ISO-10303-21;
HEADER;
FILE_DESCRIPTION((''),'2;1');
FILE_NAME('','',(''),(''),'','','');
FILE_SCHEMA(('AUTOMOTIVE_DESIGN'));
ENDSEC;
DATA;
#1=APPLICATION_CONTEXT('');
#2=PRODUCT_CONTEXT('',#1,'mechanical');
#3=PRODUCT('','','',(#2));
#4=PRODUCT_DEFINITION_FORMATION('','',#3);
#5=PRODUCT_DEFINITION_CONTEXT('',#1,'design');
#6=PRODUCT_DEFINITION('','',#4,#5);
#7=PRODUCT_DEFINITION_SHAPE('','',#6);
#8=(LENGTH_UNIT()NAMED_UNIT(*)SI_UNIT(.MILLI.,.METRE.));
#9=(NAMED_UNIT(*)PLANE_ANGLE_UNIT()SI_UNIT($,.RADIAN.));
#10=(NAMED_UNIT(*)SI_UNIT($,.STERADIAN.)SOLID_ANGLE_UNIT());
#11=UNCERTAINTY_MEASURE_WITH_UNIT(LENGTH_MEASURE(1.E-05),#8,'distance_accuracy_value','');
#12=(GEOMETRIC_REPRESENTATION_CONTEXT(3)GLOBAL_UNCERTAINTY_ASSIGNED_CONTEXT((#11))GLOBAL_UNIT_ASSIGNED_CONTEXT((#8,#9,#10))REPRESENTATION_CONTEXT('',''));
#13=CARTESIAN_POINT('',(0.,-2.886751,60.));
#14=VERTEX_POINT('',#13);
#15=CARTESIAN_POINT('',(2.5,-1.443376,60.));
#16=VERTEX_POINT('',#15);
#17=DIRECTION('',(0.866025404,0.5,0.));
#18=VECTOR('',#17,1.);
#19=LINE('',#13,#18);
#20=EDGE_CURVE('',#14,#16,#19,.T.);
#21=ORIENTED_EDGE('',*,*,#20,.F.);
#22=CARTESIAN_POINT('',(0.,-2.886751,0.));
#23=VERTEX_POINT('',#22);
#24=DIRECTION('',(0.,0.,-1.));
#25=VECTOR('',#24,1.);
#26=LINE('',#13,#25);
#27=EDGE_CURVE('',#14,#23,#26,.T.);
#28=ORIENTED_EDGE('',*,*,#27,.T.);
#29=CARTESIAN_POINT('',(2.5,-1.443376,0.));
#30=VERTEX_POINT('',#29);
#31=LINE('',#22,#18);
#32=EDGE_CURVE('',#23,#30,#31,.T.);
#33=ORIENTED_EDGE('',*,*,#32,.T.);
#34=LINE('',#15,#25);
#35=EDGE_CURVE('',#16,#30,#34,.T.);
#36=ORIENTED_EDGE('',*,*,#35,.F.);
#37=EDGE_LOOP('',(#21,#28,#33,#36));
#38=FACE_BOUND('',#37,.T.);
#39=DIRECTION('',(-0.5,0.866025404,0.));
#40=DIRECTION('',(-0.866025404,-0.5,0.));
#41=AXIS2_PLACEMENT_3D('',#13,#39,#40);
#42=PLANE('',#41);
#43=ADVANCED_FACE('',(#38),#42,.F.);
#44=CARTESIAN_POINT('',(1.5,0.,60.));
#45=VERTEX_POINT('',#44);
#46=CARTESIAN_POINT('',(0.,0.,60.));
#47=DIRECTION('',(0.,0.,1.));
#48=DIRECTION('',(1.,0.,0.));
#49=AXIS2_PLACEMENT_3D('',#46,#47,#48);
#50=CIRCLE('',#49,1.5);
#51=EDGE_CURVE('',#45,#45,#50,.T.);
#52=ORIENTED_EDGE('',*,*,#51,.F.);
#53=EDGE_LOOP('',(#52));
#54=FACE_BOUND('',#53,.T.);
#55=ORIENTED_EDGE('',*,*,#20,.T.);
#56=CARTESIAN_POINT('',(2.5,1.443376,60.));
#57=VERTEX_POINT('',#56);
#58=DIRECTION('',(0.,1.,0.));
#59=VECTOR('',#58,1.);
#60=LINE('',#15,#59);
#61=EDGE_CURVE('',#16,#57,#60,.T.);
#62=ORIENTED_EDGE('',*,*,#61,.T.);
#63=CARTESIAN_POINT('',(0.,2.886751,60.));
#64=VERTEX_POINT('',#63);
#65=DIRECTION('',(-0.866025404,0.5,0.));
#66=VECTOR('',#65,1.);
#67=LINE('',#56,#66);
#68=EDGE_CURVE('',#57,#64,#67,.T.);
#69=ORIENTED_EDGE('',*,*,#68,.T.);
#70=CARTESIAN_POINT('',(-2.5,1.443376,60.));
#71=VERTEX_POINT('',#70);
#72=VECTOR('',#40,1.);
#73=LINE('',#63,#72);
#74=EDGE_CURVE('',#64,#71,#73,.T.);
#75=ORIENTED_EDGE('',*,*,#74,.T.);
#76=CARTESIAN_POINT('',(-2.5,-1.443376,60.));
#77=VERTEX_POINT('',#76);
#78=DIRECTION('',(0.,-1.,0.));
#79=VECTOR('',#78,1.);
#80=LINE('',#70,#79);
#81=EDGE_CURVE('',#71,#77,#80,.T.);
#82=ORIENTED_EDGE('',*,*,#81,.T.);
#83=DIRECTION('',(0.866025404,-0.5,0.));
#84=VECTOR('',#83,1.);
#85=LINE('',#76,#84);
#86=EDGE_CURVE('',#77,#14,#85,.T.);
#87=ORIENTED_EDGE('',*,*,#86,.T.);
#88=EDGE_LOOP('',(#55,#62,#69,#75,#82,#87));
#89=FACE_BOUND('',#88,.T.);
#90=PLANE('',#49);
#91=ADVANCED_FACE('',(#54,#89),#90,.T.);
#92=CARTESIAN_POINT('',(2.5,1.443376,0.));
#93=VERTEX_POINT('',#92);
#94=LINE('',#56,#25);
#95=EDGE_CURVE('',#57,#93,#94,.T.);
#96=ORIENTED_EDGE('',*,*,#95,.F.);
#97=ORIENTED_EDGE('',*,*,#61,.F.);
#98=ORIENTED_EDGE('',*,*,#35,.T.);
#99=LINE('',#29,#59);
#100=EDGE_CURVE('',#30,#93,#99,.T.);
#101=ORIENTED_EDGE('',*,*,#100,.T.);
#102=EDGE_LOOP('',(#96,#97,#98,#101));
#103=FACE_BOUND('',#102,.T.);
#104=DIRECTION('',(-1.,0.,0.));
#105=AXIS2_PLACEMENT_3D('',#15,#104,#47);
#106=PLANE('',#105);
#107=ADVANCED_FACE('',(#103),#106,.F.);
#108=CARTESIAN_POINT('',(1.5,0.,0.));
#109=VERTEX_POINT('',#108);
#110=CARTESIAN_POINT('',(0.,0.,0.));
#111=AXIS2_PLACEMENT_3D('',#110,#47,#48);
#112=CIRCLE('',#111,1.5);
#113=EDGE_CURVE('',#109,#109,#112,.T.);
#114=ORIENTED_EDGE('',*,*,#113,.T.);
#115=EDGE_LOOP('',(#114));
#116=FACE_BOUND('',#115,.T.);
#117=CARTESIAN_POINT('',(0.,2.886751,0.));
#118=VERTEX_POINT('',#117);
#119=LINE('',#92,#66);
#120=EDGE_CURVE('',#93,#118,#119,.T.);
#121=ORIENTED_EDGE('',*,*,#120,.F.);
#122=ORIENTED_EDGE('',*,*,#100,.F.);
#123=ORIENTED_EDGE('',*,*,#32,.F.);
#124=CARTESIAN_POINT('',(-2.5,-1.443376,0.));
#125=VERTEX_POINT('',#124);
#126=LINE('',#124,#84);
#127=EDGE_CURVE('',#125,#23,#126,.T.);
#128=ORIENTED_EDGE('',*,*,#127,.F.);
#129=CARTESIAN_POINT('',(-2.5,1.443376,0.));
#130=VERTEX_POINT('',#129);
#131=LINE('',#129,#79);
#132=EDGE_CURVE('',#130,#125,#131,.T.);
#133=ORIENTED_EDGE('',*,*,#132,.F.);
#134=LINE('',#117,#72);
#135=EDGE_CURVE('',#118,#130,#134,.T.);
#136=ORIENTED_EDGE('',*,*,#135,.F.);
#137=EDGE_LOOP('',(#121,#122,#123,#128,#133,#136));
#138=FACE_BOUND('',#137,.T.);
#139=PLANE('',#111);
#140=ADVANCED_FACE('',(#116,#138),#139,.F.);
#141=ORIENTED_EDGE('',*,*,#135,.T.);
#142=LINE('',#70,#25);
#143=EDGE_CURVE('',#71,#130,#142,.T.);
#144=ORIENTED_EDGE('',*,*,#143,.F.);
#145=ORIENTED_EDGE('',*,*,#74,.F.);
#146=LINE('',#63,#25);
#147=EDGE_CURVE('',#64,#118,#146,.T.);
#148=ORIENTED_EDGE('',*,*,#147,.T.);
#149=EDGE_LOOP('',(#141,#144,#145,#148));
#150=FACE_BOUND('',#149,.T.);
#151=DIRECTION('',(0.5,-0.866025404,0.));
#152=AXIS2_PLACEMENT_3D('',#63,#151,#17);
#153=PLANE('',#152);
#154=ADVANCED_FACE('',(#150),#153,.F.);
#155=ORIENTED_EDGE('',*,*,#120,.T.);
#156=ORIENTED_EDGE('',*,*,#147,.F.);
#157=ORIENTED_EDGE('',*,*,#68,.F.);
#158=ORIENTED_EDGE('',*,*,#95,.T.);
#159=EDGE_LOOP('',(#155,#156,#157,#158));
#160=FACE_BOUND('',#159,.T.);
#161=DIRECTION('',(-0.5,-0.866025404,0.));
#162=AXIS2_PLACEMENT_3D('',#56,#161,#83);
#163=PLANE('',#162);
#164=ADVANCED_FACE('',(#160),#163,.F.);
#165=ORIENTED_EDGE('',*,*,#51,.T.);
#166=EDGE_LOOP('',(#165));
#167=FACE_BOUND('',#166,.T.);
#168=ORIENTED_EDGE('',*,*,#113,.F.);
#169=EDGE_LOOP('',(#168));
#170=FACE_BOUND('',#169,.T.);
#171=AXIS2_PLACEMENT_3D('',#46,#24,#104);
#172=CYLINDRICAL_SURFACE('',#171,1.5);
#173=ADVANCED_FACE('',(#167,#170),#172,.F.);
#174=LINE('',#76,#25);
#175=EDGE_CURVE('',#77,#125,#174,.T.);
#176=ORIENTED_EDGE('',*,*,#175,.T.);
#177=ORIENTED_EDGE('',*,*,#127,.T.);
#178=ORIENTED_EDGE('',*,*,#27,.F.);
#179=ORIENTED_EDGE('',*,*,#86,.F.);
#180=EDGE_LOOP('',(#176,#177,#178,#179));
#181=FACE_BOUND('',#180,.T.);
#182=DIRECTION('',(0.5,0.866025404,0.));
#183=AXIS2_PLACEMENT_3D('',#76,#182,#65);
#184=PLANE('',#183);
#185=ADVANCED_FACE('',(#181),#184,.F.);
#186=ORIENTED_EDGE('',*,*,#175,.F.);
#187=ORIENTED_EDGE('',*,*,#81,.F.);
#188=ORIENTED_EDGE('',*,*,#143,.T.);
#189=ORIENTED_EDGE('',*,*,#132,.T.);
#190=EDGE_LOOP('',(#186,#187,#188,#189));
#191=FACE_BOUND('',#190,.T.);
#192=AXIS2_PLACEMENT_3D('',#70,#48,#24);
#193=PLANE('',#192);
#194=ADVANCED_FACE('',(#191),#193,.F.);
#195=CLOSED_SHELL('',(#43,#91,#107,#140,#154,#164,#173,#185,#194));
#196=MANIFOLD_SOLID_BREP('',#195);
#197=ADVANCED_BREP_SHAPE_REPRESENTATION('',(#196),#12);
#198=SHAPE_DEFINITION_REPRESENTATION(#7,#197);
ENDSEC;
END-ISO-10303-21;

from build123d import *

# Parameters (mm, degrees)
SKETCH_1_R      = 1.5
EXTRUDE_1_DEPTH = 60


with BuildPart() as part:
    # 草图1 → 凸台-拉伸1 (new body)
    with BuildSketch(Plane.XY):
        Polygon((0, 2.886751346), (-2.5, 1.443375673), (-2.5, -1.443375673), (0, -2.886751346), (2.5, -1.443375673), (2.5, 1.443375673), align=None)
        Circle(SKETCH_1_R, mode=Mode.SUBTRACT)
    extrude(amount=EXTRUDE_1_DEPTH)


solid = part.part
